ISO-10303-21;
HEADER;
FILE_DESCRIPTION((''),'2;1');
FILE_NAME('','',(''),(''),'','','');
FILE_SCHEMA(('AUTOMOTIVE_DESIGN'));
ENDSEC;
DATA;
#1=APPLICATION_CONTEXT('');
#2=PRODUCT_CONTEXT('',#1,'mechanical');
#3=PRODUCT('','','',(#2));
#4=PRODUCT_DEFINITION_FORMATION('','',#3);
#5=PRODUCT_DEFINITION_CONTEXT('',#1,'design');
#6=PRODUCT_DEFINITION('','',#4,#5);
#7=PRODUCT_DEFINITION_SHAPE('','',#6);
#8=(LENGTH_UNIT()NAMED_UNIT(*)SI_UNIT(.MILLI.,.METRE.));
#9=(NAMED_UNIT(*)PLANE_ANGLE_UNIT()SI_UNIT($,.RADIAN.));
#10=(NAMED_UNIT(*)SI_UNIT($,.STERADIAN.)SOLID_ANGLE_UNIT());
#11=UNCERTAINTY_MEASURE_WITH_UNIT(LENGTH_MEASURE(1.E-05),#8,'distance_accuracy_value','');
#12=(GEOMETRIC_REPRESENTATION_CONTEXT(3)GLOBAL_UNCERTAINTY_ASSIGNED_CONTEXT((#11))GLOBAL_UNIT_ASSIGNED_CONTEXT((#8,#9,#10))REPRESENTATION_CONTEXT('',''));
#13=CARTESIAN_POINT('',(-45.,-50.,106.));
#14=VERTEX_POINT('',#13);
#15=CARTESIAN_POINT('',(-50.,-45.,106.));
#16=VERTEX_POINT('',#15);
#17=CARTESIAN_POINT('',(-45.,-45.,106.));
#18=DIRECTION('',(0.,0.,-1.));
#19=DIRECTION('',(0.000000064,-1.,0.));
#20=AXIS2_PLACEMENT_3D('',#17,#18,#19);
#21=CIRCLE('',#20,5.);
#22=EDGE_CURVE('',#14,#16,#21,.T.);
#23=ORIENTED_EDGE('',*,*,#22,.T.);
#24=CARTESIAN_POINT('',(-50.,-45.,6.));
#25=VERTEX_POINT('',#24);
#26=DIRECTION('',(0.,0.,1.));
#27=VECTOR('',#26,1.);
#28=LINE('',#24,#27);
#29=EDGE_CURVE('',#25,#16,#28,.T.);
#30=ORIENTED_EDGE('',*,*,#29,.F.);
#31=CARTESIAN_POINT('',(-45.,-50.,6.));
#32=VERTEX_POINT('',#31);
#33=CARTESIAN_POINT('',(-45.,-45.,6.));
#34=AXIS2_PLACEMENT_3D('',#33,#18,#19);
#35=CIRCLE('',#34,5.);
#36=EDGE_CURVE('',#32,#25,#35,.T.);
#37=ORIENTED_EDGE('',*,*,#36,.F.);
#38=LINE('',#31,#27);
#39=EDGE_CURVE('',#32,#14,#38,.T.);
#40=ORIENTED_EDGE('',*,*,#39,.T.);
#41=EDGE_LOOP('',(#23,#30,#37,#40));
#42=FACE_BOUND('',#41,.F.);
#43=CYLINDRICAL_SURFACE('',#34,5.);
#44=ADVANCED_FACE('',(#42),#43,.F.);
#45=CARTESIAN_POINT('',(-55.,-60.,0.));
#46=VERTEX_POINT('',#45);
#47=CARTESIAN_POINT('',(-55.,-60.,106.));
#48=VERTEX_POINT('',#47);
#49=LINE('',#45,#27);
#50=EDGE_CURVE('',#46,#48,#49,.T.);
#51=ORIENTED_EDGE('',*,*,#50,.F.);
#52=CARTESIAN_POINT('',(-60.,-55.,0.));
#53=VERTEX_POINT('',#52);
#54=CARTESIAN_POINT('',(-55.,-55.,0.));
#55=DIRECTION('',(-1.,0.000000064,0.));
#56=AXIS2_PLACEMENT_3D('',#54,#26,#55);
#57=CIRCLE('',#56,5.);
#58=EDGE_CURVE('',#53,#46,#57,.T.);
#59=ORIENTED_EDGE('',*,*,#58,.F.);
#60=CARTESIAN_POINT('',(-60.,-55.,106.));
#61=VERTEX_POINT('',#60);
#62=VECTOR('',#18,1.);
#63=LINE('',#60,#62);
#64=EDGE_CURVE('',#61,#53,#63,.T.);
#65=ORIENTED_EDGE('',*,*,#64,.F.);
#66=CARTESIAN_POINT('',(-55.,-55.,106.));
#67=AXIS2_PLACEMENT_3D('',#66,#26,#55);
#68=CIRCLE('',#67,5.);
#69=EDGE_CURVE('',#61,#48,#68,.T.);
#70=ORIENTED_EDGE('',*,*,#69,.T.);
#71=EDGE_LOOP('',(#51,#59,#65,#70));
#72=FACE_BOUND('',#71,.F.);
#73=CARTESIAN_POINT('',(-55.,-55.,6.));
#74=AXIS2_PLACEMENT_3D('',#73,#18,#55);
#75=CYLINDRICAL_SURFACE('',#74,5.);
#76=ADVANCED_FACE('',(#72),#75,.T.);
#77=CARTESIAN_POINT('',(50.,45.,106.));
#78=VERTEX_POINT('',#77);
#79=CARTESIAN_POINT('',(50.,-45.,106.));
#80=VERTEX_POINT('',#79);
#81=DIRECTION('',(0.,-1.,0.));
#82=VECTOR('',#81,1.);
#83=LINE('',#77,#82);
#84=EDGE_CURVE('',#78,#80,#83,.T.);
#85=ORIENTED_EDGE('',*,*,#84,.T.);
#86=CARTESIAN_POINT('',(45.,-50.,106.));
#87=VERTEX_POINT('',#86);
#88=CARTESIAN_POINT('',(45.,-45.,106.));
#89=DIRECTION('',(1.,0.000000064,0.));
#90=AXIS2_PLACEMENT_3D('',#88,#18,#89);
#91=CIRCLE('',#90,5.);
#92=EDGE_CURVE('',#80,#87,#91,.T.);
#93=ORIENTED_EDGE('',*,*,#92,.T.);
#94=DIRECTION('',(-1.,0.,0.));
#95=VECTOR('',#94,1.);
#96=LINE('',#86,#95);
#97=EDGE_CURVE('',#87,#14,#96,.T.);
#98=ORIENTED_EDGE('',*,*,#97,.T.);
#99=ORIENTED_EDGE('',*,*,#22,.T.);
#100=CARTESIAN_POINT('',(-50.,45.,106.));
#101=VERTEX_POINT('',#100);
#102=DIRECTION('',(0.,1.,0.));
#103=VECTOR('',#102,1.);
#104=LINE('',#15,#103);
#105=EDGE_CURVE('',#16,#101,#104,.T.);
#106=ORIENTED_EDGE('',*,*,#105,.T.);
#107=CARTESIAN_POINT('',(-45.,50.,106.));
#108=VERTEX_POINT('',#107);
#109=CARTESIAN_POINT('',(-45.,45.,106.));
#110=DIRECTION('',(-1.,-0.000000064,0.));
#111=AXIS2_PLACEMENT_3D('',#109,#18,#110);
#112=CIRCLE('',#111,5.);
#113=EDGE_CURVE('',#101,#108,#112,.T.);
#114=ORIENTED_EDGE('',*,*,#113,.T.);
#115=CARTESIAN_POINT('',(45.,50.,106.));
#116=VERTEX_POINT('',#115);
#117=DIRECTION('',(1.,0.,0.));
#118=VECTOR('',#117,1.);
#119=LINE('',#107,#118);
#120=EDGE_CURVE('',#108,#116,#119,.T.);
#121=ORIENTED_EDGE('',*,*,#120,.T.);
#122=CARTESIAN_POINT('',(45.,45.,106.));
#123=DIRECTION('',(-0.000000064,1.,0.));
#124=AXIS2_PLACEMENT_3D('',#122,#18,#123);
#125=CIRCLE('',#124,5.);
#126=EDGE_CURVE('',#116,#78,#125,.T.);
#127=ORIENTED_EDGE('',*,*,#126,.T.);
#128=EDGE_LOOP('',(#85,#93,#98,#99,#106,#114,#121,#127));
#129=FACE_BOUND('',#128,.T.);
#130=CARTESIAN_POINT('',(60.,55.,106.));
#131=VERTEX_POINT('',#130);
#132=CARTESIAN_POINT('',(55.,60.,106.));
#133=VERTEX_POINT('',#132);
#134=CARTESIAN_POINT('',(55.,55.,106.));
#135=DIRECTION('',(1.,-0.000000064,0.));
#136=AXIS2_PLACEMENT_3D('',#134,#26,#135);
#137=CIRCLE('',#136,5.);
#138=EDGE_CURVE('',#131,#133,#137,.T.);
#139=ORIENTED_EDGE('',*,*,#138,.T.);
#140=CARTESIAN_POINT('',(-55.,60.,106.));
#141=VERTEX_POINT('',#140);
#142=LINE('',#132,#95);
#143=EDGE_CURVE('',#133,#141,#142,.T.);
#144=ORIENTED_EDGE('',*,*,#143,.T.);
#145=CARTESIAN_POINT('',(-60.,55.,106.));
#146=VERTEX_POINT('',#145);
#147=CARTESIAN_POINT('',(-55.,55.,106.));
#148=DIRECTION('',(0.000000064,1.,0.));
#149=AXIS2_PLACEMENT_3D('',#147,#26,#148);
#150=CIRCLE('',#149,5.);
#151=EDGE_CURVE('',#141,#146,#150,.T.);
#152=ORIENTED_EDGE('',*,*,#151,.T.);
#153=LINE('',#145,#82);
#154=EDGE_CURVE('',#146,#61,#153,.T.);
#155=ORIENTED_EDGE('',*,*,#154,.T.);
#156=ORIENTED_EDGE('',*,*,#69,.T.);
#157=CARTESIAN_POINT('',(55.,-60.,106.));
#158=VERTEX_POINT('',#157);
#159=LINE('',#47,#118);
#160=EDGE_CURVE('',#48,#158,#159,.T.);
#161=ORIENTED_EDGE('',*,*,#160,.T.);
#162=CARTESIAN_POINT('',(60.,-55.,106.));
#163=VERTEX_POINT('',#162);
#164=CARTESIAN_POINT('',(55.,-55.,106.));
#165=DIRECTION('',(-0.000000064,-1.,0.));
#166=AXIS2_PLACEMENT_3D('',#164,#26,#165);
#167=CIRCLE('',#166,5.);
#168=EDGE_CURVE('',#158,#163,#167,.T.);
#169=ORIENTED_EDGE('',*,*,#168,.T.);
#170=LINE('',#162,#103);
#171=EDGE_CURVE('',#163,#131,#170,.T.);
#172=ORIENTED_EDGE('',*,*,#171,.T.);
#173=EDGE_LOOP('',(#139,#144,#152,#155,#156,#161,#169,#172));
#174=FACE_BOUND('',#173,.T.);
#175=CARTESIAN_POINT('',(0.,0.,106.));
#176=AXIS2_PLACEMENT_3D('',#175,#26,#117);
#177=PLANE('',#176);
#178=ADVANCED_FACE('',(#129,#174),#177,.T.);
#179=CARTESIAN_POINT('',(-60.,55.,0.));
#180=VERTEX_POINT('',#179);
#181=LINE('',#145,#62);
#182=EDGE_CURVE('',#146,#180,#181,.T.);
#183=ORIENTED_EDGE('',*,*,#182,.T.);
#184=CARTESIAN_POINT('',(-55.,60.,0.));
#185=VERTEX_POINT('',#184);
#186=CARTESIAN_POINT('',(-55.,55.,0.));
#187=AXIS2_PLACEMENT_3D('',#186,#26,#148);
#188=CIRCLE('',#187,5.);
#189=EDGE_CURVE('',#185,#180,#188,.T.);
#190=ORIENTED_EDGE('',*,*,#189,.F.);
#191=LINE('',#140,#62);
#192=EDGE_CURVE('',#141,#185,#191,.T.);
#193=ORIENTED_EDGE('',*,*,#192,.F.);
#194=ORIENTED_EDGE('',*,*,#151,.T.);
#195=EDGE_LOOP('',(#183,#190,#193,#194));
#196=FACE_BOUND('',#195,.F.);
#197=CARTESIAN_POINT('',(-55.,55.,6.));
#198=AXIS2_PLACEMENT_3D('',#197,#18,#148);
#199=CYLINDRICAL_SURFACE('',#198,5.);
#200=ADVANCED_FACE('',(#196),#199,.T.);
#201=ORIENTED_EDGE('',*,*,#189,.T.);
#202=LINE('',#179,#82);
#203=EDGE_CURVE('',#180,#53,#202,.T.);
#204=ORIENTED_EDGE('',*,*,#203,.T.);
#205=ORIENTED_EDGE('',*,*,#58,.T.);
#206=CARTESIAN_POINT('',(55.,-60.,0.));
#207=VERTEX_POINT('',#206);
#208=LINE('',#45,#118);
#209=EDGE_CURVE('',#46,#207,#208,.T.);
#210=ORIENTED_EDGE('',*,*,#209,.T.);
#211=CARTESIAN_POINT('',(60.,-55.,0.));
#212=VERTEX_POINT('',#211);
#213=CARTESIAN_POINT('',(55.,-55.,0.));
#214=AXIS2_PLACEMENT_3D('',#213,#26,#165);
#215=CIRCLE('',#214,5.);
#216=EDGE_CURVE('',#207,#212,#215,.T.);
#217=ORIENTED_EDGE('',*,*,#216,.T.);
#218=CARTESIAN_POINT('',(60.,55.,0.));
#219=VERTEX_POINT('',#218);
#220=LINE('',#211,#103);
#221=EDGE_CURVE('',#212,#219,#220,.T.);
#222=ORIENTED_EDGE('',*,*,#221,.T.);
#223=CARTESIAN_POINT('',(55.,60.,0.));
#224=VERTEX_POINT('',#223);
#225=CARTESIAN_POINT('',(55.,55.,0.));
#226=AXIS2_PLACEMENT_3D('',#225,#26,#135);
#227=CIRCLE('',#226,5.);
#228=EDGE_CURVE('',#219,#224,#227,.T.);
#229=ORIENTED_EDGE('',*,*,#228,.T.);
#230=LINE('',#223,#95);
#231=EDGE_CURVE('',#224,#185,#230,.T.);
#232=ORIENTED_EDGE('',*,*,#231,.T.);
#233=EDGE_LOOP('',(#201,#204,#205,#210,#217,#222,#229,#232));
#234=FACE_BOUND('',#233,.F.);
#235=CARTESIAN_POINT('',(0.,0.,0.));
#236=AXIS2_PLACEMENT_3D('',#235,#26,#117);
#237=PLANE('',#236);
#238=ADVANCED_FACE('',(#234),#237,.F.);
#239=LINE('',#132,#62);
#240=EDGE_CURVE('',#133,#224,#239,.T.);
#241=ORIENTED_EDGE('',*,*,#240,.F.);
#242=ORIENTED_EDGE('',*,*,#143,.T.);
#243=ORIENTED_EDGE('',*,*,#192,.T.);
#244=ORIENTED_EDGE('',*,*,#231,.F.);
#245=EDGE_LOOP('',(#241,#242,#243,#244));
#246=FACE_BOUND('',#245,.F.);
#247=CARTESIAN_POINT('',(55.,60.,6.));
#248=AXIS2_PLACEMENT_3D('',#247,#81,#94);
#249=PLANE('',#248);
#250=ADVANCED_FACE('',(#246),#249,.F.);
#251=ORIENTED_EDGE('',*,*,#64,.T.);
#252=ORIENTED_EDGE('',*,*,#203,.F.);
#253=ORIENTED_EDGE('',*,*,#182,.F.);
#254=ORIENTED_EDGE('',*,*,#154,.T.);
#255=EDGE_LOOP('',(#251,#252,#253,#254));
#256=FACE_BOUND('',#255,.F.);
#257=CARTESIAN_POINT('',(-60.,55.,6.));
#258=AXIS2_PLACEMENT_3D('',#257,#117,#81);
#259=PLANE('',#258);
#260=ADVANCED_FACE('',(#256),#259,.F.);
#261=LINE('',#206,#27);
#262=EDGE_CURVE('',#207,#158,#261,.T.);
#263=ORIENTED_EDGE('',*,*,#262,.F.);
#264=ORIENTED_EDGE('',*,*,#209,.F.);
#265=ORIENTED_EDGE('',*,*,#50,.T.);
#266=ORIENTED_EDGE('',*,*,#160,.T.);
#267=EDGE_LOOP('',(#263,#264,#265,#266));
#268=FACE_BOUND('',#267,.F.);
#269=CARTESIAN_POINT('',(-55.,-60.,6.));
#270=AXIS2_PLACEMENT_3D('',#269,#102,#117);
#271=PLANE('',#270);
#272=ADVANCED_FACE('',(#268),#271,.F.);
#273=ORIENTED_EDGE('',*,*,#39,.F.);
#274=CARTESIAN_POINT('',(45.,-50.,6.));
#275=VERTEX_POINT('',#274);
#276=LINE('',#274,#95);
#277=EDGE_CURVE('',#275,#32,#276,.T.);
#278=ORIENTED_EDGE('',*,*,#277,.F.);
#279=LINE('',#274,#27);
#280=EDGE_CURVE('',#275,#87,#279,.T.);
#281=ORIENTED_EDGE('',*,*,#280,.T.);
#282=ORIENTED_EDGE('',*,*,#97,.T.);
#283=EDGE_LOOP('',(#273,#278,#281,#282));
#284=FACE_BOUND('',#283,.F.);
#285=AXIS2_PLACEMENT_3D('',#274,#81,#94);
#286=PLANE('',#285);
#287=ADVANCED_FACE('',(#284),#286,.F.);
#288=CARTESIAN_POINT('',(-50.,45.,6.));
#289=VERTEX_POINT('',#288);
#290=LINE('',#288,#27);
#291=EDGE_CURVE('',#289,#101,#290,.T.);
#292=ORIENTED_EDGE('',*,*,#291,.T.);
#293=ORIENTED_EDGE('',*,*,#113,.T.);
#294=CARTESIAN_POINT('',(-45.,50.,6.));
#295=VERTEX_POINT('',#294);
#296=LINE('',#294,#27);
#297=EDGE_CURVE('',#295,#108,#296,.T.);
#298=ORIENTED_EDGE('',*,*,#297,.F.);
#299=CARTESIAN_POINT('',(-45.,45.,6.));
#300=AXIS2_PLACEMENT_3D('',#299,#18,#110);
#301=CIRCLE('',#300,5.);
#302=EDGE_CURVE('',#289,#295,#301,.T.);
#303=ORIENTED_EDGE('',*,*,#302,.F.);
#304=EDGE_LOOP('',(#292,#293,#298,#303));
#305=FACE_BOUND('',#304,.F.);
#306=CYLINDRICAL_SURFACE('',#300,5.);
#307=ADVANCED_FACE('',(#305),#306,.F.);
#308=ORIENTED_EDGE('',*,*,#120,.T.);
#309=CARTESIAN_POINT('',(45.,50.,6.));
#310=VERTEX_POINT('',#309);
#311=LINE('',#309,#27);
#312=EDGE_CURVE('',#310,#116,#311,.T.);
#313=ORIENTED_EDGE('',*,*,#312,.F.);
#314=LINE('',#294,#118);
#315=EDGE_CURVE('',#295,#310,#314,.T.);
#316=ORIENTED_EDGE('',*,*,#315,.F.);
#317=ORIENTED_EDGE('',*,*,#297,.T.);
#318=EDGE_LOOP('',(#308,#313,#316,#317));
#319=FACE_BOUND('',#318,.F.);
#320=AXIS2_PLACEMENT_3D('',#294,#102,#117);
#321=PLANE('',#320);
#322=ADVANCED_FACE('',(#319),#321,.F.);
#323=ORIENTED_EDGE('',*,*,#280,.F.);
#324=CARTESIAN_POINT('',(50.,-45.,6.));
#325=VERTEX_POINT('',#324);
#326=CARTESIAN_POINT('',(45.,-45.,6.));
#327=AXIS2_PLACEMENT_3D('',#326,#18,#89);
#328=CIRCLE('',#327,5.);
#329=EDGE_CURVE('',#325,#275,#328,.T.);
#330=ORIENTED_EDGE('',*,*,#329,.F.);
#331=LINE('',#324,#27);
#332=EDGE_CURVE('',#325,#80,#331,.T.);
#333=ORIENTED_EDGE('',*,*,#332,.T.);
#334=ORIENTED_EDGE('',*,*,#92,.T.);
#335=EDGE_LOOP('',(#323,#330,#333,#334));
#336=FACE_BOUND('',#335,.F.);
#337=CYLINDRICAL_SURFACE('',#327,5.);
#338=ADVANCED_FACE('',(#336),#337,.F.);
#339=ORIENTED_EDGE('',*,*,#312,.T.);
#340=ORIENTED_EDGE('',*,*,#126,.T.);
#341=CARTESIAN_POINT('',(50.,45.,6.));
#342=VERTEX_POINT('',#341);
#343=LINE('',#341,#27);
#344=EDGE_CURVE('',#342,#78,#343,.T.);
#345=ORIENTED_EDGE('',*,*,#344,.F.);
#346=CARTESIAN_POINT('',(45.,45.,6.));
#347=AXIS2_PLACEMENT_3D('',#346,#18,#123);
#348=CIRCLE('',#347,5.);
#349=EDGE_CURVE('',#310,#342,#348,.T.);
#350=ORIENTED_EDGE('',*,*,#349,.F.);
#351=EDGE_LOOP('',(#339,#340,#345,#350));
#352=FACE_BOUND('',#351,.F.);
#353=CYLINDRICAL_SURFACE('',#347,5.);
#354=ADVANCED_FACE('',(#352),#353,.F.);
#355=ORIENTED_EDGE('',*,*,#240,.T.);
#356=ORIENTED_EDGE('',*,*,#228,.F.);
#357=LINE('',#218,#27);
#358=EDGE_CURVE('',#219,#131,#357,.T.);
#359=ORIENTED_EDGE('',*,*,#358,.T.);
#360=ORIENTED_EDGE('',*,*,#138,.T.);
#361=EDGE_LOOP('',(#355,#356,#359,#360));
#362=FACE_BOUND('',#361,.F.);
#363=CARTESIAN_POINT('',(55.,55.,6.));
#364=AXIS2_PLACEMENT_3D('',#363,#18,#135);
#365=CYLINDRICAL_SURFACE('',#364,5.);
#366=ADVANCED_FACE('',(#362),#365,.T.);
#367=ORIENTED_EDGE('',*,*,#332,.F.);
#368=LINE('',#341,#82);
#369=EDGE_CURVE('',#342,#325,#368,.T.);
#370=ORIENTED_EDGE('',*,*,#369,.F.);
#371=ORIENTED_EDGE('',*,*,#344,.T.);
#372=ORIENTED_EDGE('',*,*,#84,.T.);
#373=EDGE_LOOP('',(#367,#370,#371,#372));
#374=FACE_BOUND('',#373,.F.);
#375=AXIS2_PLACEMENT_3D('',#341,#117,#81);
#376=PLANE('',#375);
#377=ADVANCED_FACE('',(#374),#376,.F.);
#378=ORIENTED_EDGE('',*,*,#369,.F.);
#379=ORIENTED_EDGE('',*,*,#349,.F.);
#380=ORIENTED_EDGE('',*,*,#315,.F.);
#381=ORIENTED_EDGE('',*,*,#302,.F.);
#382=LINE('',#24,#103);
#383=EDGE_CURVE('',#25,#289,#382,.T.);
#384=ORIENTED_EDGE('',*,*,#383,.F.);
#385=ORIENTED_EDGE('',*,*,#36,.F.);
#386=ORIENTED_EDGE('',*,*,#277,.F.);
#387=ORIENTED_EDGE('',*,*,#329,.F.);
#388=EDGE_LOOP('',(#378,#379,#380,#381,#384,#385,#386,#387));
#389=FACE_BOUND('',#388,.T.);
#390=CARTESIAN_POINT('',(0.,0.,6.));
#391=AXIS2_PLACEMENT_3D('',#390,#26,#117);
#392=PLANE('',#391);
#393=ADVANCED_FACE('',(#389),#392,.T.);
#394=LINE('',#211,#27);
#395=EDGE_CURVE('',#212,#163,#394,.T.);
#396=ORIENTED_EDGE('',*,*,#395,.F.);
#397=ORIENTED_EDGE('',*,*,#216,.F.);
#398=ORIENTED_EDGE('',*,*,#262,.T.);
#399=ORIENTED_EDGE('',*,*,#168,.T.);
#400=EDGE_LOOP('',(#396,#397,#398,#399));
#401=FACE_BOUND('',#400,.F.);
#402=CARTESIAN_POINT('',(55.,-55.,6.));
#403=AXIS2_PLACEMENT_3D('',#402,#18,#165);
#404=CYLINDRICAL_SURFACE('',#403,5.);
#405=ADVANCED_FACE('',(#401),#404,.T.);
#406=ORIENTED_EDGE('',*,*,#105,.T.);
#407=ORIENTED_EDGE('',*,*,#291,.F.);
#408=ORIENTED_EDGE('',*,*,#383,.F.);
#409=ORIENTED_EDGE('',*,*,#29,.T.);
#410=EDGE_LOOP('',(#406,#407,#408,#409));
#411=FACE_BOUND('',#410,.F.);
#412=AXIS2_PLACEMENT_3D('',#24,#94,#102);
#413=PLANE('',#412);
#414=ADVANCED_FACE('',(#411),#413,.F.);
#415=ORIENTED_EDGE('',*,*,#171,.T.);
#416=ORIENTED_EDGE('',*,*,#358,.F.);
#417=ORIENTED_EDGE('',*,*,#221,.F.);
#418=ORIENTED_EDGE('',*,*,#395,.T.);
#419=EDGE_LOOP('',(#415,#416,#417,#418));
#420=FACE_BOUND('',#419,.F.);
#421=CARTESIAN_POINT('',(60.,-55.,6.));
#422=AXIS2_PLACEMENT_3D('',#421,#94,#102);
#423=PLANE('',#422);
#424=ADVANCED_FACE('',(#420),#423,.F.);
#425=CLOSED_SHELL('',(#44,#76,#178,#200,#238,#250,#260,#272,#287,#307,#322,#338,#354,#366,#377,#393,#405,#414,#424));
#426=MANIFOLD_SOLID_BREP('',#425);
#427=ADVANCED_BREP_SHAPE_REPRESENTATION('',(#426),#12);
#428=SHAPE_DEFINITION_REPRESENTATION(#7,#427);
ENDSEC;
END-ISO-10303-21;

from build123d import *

# Parameters (mm, degrees)
F1_DEPTH = 6
F3_DEPTH = 100


with BuildPart() as f1:
    # F0 (on Top) → F1 (new body)
    with BuildSketch(Plane.XY):
        with BuildLine():
            ThreePointArc((60, 55), (58.535534, 58.535534), (55, 60))
            Line((55, 60), (-55, 60))
            ThreePointArc((-55, 60), (-58.535534, 58.535534), (-60, 55))
            Line((-60, 55), (-60, -55))
            ThreePointArc((-60, -55), (-58.535534, -58.535534), (-55, -60))
            Line((-55, -60), (55, -60))
            ThreePointArc((55, -60), (58.535534, -58.535534), (60, -55))
            Line((60, -55), (60, 55))
        make_face()
        with BuildLine():
            Line((-45, 50), (45, 50))
            ThreePointArc((45, 50), (48.535534, 48.535534), (50, 45))
            Line((50, 45), (50, -45))
            ThreePointArc((50, -45), (48.535534, -48.535534), (45, -50))
            Line((45, -50), (-45, -50))
            ThreePointArc((-45, -50), (-48.535534, -48.535534), (-50, -45))
            Line((-50, -45), (-50, 45))
            ThreePointArc((-50, 45), (-48.535534, 48.535534), (-45, 50))
        make_face(mode=Mode.SUBTRACT)
        with BuildLine():
            ThreePointArc((50, 45), (48.535534, 48.535534), (45, 50))
            Line((45, 50), (-45, 50))
            ThreePointArc((-45, 50), (-48.535534, 48.535534), (-50, 45))
            Line((-50, 45), (-50, -45))
            ThreePointArc((-50, -45), (-48.535534, -48.535534), (-45, -50))
            Line((-45, -50), (45, -50))
            ThreePointArc((45, -50), (48.535534, -48.535534), (50, -45))
            Line((50, -45), (50, 45))
        make_face()
    extrude(amount=F1_DEPTH)

    # F2 (on face) → F3 (join)
    with BuildSketch(Plane.XY.offset(6)):
        with BuildLine():
            ThreePointArc((-60, -55), (-58.535534, -58.535534), (-55, -60))
            Line((-55, -60), (55, -60))
            ThreePointArc((55, -60), (58.535534, -58.535534), (60, -55))
            Line((60, -55), (60, 55))
            ThreePointArc((60, 55), (58.535534, 58.535534), (55, 60))
            Line((55, 60), (-55, 60))
            ThreePointArc((-55, 60), (-58.535534, 58.535534), (-60, 55))
            Line((-60, 55), (-60, -55))
        make_face()
        with BuildLine():
            Line((-50, -45), (-50, 45))
            ThreePointArc((-50, 45), (-48.535534, 48.535534), (-45, 50))
            Line((-45, 50), (45, 50))
            ThreePointArc((45, 50), (48.535534, 48.535534), (50, 45))
            Line((50, 45), (50, -45))
            ThreePointArc((50, -45), (48.535534, -48.535534), (45, -50))
            Line((45, -50), (-45, -50))
            ThreePointArc((-45, -50), (-48.535534, -48.535534), (-50, -45))
        make_face(mode=Mode.SUBTRACT)
    extrude(amount=F3_DEPTH)


solid = f1.part
